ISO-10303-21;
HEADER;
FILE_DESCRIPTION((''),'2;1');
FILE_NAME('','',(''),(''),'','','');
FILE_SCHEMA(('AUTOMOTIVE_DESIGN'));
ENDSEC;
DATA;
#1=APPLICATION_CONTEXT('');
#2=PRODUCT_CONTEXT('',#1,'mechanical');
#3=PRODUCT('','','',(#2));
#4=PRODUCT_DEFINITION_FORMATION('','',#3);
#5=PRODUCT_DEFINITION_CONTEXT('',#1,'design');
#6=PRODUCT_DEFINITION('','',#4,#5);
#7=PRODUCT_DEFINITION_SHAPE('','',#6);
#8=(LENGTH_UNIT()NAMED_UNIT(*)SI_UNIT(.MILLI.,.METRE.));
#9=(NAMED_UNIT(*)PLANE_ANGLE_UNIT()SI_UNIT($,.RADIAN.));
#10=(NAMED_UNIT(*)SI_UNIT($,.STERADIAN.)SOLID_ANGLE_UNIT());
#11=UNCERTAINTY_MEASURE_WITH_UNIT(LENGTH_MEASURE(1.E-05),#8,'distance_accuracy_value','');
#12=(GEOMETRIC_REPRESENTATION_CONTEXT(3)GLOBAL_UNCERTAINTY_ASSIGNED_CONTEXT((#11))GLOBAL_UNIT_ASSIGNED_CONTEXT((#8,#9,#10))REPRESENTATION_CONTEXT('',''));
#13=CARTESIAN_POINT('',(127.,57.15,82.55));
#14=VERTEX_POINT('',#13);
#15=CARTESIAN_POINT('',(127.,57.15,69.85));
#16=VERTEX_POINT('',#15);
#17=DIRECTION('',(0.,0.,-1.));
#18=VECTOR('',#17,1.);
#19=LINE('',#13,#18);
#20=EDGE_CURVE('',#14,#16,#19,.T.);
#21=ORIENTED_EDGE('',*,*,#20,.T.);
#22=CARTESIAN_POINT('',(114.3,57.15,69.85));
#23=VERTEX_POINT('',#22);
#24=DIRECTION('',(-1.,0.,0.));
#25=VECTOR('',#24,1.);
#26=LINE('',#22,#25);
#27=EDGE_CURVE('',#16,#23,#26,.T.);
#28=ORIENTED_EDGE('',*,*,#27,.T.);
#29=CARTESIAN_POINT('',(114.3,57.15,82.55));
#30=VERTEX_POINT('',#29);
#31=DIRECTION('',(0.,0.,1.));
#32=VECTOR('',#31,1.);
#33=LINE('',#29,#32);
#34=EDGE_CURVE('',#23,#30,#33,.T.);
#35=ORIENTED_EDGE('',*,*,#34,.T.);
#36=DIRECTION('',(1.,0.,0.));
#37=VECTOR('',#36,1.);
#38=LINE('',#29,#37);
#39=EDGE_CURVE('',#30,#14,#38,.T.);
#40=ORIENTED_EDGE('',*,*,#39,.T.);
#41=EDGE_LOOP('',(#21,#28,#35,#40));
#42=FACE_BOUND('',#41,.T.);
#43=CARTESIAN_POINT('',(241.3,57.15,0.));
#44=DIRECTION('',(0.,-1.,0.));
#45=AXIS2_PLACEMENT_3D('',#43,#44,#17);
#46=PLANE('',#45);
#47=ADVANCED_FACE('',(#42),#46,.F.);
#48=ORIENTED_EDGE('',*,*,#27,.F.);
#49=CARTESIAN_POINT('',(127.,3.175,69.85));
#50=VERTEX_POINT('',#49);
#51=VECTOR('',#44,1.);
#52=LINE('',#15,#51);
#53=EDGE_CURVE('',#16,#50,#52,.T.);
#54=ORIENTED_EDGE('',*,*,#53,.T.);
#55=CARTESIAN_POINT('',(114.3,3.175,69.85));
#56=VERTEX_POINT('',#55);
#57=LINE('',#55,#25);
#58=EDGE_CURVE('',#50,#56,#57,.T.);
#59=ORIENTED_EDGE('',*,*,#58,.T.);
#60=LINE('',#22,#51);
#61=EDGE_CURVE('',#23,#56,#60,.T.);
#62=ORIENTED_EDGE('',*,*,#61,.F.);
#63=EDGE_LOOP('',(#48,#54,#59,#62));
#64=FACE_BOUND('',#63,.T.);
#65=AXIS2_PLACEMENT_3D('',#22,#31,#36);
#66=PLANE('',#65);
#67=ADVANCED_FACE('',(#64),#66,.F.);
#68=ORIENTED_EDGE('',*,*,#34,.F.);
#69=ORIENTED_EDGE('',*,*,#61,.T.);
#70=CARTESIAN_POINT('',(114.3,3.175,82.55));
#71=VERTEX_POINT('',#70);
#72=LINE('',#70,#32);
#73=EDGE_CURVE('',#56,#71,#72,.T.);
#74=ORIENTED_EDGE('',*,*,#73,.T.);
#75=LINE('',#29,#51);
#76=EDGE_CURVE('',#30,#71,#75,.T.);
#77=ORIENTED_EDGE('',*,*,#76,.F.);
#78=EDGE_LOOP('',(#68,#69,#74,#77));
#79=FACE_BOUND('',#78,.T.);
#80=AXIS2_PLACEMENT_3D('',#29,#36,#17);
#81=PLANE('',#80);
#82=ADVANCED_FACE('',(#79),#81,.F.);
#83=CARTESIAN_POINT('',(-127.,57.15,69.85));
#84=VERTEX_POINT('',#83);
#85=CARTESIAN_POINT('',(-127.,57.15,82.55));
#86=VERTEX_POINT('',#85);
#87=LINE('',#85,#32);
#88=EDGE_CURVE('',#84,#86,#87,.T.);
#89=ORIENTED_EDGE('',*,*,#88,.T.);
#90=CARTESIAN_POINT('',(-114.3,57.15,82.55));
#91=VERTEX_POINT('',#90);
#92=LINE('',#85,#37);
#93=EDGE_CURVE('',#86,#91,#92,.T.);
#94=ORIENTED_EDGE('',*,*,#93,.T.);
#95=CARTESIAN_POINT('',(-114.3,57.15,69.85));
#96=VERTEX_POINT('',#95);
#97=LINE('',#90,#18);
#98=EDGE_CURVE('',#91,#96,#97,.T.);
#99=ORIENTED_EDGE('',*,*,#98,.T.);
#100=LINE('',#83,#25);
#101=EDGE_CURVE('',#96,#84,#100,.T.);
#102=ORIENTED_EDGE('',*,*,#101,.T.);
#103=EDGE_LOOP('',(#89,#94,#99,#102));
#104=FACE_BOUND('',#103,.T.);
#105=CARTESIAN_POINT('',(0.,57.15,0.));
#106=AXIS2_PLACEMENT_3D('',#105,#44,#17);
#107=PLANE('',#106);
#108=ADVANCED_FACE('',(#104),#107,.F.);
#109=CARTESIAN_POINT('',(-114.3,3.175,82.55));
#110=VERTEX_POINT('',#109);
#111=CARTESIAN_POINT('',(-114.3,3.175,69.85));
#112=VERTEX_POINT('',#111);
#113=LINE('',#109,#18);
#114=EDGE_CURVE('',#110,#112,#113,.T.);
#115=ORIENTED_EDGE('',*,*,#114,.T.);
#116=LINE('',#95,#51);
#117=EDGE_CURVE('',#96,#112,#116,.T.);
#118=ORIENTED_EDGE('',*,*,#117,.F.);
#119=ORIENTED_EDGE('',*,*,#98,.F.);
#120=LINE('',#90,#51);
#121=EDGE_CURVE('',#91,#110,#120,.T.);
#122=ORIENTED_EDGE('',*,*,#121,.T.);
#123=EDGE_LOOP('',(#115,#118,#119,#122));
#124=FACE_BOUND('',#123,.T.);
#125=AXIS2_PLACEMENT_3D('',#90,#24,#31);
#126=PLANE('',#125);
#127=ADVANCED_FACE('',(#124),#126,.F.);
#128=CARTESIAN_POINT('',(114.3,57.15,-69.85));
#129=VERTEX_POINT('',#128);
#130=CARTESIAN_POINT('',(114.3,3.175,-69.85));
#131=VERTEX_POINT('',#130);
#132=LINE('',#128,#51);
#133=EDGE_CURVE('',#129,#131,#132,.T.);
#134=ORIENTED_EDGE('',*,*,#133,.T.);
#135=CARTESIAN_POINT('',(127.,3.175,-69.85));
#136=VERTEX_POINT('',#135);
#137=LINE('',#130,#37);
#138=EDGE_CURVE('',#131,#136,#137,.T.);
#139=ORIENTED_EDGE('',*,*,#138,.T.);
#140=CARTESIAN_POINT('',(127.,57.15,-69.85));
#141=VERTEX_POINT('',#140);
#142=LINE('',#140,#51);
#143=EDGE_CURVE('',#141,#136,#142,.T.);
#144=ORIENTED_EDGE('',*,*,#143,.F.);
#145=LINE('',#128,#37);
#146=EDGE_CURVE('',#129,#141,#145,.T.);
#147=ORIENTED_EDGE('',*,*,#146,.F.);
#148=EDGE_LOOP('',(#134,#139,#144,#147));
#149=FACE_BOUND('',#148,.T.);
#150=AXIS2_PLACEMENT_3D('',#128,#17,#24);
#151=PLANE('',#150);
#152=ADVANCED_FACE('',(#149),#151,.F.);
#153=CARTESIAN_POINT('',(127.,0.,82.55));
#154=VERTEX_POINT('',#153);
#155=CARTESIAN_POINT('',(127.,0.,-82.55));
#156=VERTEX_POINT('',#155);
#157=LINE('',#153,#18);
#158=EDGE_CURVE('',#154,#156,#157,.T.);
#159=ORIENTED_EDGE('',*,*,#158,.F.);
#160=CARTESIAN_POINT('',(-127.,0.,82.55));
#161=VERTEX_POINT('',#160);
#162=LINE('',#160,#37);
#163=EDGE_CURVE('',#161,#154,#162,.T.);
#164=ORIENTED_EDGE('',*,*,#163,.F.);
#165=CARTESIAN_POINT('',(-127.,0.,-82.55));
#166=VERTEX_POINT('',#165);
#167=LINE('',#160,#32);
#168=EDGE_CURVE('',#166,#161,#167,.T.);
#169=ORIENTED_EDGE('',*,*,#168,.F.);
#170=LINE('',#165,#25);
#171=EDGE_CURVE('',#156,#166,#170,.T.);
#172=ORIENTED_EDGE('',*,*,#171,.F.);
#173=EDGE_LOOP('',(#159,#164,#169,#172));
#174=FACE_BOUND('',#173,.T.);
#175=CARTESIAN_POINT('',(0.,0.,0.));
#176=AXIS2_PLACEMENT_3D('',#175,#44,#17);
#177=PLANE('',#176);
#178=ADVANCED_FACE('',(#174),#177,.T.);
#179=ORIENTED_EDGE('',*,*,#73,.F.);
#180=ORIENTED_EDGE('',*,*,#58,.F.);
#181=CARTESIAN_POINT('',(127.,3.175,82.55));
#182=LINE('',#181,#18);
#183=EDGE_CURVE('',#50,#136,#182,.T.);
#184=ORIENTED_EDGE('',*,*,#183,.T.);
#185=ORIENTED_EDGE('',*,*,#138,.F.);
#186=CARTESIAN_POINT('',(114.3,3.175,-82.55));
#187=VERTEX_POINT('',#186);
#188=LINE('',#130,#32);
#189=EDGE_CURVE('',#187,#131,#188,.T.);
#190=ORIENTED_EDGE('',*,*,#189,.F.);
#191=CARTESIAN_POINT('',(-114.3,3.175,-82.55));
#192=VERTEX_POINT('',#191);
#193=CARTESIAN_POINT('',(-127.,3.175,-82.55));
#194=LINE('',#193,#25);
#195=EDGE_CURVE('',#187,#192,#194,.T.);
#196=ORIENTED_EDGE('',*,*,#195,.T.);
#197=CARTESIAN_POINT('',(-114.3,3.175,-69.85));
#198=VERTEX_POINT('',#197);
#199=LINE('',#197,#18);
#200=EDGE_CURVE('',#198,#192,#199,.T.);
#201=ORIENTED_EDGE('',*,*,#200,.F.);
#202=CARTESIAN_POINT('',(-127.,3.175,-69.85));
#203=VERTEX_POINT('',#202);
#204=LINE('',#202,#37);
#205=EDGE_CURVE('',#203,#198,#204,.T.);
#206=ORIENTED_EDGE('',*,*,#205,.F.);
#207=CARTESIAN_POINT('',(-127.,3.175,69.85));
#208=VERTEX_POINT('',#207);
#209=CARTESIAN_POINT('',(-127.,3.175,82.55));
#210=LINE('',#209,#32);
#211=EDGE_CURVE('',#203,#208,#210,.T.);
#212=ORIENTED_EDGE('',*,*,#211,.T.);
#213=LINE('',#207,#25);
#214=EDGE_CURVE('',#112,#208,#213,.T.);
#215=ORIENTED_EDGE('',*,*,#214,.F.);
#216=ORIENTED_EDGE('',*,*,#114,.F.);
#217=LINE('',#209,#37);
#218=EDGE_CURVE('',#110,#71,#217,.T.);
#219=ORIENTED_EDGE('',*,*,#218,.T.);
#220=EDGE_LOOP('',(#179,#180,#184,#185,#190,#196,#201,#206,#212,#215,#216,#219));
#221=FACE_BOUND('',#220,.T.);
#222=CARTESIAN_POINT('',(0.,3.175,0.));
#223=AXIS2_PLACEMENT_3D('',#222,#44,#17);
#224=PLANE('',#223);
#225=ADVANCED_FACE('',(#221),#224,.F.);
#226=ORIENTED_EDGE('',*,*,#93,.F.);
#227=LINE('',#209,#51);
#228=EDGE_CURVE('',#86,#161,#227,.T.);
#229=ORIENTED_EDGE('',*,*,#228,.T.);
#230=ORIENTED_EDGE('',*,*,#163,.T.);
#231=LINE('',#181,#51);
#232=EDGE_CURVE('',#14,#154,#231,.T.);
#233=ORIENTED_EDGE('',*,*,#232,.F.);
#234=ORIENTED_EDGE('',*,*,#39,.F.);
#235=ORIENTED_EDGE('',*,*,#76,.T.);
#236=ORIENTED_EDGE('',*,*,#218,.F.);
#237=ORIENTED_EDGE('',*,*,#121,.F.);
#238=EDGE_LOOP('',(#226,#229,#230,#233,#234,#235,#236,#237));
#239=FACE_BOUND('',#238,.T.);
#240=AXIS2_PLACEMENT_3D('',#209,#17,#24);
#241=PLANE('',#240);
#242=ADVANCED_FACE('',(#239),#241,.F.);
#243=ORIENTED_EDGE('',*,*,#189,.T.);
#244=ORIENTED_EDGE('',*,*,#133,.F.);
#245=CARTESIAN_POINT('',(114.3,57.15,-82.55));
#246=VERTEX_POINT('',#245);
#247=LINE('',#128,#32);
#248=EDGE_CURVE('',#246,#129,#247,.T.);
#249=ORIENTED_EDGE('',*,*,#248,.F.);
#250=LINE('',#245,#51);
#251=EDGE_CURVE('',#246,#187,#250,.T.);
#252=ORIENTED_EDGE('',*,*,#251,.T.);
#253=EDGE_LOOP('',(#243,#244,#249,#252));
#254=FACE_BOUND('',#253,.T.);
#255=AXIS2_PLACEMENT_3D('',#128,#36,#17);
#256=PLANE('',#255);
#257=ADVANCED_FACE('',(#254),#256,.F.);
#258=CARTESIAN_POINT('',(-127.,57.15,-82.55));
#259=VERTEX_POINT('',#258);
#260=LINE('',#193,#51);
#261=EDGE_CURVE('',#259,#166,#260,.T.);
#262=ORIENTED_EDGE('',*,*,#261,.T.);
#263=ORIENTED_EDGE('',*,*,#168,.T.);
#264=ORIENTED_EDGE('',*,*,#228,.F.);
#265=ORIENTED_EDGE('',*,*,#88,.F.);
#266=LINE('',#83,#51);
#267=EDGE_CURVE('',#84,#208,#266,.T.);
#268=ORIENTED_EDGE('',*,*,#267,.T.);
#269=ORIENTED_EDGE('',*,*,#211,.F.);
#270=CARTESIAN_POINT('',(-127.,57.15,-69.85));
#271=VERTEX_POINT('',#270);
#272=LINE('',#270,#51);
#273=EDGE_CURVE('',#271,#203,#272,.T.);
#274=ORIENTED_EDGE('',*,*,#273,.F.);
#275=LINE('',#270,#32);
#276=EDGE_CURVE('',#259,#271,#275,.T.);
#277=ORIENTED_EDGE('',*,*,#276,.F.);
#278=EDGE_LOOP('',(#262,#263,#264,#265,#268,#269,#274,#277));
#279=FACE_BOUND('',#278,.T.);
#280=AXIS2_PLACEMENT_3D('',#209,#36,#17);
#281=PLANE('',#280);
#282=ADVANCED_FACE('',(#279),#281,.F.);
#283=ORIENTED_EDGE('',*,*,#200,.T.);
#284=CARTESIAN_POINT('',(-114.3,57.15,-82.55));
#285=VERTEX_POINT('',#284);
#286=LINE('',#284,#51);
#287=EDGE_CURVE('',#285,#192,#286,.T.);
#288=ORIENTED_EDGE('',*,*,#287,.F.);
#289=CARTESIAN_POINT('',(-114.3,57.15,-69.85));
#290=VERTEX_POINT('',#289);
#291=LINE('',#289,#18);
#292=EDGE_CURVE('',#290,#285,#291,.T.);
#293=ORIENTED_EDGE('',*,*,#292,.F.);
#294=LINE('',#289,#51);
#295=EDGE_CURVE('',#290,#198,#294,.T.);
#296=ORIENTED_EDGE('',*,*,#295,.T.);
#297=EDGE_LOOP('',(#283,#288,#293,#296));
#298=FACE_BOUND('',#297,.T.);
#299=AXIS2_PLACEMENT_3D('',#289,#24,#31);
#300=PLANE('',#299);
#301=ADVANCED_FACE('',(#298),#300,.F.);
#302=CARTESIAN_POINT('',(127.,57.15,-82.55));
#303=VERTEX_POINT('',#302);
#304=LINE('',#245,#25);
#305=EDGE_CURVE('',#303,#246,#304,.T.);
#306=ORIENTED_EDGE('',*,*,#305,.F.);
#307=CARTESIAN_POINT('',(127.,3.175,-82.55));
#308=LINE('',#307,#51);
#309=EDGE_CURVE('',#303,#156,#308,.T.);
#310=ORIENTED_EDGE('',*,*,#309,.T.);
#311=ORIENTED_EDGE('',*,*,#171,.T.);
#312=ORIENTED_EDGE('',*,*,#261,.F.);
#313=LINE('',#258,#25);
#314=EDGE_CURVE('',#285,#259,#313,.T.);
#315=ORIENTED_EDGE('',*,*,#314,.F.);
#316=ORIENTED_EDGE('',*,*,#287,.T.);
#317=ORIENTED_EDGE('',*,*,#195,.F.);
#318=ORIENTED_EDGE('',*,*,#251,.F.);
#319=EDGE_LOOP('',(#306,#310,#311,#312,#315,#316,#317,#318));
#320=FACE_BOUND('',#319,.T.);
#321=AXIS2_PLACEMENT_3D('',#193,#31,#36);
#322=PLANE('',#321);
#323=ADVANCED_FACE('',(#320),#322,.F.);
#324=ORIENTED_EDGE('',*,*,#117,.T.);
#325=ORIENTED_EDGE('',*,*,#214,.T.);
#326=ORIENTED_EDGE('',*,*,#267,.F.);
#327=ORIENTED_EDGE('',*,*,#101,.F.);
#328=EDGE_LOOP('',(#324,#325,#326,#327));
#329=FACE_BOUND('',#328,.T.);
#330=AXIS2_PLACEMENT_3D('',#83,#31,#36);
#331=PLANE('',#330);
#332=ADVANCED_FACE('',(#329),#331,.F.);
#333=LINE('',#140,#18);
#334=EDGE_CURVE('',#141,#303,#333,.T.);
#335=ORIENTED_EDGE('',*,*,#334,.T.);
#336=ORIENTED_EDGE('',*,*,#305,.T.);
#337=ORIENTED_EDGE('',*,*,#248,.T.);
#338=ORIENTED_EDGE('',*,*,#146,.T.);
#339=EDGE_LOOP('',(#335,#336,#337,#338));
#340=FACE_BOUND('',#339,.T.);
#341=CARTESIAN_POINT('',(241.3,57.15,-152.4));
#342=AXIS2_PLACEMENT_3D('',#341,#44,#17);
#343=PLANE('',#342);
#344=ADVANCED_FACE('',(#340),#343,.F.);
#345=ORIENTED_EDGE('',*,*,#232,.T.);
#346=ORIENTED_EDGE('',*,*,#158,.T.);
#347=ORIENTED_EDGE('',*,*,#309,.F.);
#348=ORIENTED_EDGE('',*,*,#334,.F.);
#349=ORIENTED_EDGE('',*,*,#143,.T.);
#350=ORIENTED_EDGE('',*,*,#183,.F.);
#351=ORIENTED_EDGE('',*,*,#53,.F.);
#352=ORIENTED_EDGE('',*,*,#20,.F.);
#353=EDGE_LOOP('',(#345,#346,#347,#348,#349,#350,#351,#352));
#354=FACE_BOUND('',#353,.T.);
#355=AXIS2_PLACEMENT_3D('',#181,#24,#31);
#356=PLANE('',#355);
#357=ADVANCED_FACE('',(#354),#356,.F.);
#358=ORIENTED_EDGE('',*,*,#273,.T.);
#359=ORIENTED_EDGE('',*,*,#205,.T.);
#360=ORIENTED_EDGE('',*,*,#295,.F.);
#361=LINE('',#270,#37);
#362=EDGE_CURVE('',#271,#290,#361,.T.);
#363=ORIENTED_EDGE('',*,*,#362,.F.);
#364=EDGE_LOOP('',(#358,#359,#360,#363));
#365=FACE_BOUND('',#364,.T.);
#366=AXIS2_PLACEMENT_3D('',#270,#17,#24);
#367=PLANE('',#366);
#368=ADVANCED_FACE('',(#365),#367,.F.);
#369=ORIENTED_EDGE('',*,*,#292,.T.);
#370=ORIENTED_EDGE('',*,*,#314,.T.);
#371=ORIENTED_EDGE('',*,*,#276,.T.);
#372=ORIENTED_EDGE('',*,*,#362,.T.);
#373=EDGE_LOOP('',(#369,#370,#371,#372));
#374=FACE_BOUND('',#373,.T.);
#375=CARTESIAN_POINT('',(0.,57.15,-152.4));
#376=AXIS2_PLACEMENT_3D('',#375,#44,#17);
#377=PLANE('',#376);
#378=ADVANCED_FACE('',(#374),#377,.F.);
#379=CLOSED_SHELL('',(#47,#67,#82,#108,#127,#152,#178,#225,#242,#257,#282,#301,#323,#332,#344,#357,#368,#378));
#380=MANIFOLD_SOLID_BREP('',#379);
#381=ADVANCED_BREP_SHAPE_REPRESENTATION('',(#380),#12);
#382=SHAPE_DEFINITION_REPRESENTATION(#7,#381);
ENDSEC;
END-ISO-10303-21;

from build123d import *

# Parameters (mm, degrees)
SKETCH2_W            = 254
SKETCH2_H            = 165.1
BOSS_EXTRUDE1_DEPTH  = 3.175
SKETCH3_W            = 12.7
SKETCH3_H            = 12.7
BOSS_EXTRUDE2_DEPTH  = 53.975
LPATTERN1_COUNT      = 2
LPATTERN1_PITCH      = 152.4
LPATTERN1_COUNT_DIR2 = 2
LPATTERN1_PITCH_DIR2 = 241.3


with BuildPart() as part:
    # Sketch2 → Boss-Extrude1 (new body)
    with BuildSketch(Plane(origin=(0, 0, 0), x_dir=(1, 0, 0), z_dir=(0, 1, 0))):
        Rectangle(SKETCH2_W, SKETCH2_H)
    extrude(amount=BOSS_EXTRUDE1_DEPTH)

    # Sketch3 → Boss-Extrude2 (add)
    with BuildSketch(Plane(origin=(0, 3.175, 0), x_dir=(1, 0, 0), z_dir=(0, 1, 0))):
        with Locations((-120.65, -76.2)):
            Rectangle(SKETCH3_W, SKETCH3_H)
    boss_extrude2 = extrude(amount=BOSS_EXTRUDE2_DEPTH)

    # LPattern1: Boss-Extrude2 2 × 2
    with Locations(*[(j * LPATTERN1_PITCH_DIR2, 0, -i * LPATTERN1_PITCH) for i in range(LPATTERN1_COUNT) for j in range(LPATTERN1_COUNT_DIR2) if (i, j) != (0, 0)]):
        add(boss_extrude2)


solid = part.part
